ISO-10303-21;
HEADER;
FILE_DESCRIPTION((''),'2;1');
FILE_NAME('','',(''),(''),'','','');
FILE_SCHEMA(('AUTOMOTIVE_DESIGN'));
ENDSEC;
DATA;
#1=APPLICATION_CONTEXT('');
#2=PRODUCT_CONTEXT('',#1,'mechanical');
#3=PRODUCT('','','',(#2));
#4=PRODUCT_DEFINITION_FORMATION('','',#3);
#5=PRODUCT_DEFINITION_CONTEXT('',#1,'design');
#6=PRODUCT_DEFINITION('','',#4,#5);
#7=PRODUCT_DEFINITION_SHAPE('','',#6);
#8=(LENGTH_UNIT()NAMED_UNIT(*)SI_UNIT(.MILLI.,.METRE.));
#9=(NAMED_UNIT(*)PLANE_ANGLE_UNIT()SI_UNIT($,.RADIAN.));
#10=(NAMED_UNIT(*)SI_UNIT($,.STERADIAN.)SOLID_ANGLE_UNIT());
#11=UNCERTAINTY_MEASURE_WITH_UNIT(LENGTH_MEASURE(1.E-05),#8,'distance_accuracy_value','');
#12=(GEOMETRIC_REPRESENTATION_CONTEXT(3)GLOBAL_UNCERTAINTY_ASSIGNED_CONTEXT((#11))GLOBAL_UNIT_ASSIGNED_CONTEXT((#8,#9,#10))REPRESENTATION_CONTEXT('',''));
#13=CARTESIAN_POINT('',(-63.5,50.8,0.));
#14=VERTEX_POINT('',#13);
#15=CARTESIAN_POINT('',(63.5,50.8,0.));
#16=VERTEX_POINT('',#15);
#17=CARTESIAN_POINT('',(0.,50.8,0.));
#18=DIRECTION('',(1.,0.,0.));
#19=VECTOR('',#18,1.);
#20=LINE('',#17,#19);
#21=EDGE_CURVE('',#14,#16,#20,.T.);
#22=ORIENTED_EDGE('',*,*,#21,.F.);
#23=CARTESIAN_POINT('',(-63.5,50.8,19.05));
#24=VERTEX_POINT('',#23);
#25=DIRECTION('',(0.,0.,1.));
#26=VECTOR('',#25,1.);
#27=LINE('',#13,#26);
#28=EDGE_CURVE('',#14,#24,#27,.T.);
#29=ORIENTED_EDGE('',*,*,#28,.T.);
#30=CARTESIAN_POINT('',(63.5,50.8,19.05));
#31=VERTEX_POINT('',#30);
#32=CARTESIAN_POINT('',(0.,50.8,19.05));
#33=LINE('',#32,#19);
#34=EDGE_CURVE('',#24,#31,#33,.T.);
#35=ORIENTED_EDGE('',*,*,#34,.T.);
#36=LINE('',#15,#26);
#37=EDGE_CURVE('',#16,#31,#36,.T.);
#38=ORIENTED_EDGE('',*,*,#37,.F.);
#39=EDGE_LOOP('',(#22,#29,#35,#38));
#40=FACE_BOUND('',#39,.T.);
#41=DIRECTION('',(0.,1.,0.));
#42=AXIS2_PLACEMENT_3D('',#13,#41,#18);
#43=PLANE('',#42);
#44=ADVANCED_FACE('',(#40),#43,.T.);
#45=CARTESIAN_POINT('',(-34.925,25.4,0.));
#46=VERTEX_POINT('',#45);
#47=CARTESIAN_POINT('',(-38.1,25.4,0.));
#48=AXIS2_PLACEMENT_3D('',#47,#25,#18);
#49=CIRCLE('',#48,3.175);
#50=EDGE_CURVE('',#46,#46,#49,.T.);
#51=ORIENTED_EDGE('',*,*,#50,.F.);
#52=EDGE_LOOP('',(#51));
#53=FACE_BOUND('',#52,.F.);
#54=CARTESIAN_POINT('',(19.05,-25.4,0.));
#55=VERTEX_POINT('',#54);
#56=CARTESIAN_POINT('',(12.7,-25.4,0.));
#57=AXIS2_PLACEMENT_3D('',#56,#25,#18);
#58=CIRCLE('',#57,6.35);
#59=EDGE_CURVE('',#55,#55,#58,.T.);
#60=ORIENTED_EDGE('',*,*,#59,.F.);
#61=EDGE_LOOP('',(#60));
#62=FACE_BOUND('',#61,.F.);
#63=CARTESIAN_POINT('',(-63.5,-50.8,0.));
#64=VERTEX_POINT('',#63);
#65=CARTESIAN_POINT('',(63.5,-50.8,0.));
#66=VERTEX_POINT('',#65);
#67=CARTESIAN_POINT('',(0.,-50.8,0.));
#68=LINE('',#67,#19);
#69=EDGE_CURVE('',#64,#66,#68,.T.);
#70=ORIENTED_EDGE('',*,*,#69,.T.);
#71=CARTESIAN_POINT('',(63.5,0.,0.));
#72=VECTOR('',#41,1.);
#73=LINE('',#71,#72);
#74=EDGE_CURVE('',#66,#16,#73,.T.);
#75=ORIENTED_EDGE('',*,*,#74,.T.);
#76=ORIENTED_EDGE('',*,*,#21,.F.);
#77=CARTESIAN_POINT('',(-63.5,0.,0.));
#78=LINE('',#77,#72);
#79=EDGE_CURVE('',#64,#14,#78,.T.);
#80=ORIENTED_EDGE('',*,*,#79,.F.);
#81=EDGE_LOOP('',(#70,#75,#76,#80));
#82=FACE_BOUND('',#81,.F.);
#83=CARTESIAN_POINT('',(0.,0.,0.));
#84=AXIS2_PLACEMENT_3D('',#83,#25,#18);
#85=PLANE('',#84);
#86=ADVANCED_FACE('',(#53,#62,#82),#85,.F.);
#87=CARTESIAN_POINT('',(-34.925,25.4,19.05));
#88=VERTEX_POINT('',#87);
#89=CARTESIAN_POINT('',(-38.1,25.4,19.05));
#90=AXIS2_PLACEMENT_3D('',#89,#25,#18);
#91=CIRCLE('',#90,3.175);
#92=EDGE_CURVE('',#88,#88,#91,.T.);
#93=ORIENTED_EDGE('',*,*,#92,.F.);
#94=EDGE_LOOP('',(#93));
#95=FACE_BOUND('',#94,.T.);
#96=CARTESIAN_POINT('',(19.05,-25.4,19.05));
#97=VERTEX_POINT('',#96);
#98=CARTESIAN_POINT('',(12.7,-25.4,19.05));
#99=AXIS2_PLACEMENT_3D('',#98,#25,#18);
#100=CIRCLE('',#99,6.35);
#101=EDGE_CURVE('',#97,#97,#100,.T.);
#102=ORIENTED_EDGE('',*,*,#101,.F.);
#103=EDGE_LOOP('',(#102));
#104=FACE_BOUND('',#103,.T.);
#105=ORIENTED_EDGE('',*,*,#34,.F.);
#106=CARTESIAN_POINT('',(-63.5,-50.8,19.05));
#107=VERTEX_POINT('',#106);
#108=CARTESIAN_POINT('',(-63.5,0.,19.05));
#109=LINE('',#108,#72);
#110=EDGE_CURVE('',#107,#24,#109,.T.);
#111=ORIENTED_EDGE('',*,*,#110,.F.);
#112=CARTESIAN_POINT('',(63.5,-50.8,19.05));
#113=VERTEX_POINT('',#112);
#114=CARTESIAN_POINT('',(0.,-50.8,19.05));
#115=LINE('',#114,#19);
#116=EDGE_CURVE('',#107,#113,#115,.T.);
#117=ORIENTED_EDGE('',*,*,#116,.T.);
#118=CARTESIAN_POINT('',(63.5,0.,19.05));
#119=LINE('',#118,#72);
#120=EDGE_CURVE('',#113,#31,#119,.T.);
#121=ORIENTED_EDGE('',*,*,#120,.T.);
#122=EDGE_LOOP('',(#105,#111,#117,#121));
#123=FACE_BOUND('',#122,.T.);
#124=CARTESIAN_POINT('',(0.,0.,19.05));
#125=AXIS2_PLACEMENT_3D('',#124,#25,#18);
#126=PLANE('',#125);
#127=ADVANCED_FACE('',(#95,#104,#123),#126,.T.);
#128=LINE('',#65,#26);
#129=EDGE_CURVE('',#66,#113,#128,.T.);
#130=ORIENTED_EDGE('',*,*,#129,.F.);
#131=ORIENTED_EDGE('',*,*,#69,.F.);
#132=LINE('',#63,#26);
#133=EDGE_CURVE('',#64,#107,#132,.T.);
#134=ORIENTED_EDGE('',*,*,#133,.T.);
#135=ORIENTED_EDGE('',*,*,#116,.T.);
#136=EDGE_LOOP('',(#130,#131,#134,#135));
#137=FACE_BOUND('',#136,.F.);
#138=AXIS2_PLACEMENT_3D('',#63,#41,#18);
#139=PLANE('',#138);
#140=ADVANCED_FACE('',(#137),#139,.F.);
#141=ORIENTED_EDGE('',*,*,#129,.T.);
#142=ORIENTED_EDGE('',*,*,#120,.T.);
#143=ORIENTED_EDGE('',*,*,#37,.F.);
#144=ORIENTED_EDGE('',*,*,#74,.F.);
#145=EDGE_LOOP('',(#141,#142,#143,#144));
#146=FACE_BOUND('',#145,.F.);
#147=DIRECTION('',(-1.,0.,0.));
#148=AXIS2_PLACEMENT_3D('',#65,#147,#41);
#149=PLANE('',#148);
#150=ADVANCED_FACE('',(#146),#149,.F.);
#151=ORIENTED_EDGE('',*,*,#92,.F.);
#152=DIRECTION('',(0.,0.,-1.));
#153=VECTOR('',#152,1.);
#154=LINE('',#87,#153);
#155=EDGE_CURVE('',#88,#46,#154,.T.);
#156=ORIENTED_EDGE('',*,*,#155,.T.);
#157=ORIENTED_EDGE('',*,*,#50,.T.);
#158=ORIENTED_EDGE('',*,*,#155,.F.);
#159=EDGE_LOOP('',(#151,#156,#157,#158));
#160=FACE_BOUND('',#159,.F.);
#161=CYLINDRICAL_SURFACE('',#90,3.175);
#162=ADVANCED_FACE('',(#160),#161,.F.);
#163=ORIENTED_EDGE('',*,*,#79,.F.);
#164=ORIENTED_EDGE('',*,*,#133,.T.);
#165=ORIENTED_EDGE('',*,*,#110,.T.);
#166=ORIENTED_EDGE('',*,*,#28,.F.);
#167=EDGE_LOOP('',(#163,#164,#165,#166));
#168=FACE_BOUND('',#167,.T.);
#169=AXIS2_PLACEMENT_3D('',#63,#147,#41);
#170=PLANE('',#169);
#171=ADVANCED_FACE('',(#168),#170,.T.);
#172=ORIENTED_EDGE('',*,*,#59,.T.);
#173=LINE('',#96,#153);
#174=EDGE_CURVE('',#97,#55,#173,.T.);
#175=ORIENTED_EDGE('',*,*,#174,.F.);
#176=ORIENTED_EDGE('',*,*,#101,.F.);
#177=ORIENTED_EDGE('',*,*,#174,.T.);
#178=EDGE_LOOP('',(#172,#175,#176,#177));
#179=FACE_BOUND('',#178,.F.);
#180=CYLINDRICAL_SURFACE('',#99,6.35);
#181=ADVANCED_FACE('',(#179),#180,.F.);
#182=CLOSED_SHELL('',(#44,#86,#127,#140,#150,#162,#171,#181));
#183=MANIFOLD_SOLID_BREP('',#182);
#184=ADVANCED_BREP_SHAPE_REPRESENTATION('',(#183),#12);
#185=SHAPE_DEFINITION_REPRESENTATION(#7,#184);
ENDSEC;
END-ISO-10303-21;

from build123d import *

# Parameters (mm, degrees)
F0_W     = 127
F0_H     = 101.6
F1_DEPTH = 19.05
F2_R     = 3.175
F3_DEPTH = 25.4
F4_R     = 6.35
F5_DEPTH = 25.4


with BuildPart() as f1:
    # F0 (on Top) → F1 (new body)
    with BuildSketch(Plane.XY):
        Rectangle(F0_W, F0_H)
    extrude(amount=F1_DEPTH)

    # F2 (on face) → F3 (cut)
    with BuildSketch(Plane.XY.offset(19.05)):
        with Locations((-38.1, 25.4)):
            Circle(F2_R)
    extrude(amount=-F3_DEPTH, mode=Mode.SUBTRACT)

    # F4 (on face) → F5 (cut)
    with BuildSketch(Plane.XY.offset(19.05)):
        with Locations((12.7, -25.4)):
            Circle(F4_R)
    extrude(amount=-F5_DEPTH, mode=Mode.SUBTRACT)


solid = f1.part
